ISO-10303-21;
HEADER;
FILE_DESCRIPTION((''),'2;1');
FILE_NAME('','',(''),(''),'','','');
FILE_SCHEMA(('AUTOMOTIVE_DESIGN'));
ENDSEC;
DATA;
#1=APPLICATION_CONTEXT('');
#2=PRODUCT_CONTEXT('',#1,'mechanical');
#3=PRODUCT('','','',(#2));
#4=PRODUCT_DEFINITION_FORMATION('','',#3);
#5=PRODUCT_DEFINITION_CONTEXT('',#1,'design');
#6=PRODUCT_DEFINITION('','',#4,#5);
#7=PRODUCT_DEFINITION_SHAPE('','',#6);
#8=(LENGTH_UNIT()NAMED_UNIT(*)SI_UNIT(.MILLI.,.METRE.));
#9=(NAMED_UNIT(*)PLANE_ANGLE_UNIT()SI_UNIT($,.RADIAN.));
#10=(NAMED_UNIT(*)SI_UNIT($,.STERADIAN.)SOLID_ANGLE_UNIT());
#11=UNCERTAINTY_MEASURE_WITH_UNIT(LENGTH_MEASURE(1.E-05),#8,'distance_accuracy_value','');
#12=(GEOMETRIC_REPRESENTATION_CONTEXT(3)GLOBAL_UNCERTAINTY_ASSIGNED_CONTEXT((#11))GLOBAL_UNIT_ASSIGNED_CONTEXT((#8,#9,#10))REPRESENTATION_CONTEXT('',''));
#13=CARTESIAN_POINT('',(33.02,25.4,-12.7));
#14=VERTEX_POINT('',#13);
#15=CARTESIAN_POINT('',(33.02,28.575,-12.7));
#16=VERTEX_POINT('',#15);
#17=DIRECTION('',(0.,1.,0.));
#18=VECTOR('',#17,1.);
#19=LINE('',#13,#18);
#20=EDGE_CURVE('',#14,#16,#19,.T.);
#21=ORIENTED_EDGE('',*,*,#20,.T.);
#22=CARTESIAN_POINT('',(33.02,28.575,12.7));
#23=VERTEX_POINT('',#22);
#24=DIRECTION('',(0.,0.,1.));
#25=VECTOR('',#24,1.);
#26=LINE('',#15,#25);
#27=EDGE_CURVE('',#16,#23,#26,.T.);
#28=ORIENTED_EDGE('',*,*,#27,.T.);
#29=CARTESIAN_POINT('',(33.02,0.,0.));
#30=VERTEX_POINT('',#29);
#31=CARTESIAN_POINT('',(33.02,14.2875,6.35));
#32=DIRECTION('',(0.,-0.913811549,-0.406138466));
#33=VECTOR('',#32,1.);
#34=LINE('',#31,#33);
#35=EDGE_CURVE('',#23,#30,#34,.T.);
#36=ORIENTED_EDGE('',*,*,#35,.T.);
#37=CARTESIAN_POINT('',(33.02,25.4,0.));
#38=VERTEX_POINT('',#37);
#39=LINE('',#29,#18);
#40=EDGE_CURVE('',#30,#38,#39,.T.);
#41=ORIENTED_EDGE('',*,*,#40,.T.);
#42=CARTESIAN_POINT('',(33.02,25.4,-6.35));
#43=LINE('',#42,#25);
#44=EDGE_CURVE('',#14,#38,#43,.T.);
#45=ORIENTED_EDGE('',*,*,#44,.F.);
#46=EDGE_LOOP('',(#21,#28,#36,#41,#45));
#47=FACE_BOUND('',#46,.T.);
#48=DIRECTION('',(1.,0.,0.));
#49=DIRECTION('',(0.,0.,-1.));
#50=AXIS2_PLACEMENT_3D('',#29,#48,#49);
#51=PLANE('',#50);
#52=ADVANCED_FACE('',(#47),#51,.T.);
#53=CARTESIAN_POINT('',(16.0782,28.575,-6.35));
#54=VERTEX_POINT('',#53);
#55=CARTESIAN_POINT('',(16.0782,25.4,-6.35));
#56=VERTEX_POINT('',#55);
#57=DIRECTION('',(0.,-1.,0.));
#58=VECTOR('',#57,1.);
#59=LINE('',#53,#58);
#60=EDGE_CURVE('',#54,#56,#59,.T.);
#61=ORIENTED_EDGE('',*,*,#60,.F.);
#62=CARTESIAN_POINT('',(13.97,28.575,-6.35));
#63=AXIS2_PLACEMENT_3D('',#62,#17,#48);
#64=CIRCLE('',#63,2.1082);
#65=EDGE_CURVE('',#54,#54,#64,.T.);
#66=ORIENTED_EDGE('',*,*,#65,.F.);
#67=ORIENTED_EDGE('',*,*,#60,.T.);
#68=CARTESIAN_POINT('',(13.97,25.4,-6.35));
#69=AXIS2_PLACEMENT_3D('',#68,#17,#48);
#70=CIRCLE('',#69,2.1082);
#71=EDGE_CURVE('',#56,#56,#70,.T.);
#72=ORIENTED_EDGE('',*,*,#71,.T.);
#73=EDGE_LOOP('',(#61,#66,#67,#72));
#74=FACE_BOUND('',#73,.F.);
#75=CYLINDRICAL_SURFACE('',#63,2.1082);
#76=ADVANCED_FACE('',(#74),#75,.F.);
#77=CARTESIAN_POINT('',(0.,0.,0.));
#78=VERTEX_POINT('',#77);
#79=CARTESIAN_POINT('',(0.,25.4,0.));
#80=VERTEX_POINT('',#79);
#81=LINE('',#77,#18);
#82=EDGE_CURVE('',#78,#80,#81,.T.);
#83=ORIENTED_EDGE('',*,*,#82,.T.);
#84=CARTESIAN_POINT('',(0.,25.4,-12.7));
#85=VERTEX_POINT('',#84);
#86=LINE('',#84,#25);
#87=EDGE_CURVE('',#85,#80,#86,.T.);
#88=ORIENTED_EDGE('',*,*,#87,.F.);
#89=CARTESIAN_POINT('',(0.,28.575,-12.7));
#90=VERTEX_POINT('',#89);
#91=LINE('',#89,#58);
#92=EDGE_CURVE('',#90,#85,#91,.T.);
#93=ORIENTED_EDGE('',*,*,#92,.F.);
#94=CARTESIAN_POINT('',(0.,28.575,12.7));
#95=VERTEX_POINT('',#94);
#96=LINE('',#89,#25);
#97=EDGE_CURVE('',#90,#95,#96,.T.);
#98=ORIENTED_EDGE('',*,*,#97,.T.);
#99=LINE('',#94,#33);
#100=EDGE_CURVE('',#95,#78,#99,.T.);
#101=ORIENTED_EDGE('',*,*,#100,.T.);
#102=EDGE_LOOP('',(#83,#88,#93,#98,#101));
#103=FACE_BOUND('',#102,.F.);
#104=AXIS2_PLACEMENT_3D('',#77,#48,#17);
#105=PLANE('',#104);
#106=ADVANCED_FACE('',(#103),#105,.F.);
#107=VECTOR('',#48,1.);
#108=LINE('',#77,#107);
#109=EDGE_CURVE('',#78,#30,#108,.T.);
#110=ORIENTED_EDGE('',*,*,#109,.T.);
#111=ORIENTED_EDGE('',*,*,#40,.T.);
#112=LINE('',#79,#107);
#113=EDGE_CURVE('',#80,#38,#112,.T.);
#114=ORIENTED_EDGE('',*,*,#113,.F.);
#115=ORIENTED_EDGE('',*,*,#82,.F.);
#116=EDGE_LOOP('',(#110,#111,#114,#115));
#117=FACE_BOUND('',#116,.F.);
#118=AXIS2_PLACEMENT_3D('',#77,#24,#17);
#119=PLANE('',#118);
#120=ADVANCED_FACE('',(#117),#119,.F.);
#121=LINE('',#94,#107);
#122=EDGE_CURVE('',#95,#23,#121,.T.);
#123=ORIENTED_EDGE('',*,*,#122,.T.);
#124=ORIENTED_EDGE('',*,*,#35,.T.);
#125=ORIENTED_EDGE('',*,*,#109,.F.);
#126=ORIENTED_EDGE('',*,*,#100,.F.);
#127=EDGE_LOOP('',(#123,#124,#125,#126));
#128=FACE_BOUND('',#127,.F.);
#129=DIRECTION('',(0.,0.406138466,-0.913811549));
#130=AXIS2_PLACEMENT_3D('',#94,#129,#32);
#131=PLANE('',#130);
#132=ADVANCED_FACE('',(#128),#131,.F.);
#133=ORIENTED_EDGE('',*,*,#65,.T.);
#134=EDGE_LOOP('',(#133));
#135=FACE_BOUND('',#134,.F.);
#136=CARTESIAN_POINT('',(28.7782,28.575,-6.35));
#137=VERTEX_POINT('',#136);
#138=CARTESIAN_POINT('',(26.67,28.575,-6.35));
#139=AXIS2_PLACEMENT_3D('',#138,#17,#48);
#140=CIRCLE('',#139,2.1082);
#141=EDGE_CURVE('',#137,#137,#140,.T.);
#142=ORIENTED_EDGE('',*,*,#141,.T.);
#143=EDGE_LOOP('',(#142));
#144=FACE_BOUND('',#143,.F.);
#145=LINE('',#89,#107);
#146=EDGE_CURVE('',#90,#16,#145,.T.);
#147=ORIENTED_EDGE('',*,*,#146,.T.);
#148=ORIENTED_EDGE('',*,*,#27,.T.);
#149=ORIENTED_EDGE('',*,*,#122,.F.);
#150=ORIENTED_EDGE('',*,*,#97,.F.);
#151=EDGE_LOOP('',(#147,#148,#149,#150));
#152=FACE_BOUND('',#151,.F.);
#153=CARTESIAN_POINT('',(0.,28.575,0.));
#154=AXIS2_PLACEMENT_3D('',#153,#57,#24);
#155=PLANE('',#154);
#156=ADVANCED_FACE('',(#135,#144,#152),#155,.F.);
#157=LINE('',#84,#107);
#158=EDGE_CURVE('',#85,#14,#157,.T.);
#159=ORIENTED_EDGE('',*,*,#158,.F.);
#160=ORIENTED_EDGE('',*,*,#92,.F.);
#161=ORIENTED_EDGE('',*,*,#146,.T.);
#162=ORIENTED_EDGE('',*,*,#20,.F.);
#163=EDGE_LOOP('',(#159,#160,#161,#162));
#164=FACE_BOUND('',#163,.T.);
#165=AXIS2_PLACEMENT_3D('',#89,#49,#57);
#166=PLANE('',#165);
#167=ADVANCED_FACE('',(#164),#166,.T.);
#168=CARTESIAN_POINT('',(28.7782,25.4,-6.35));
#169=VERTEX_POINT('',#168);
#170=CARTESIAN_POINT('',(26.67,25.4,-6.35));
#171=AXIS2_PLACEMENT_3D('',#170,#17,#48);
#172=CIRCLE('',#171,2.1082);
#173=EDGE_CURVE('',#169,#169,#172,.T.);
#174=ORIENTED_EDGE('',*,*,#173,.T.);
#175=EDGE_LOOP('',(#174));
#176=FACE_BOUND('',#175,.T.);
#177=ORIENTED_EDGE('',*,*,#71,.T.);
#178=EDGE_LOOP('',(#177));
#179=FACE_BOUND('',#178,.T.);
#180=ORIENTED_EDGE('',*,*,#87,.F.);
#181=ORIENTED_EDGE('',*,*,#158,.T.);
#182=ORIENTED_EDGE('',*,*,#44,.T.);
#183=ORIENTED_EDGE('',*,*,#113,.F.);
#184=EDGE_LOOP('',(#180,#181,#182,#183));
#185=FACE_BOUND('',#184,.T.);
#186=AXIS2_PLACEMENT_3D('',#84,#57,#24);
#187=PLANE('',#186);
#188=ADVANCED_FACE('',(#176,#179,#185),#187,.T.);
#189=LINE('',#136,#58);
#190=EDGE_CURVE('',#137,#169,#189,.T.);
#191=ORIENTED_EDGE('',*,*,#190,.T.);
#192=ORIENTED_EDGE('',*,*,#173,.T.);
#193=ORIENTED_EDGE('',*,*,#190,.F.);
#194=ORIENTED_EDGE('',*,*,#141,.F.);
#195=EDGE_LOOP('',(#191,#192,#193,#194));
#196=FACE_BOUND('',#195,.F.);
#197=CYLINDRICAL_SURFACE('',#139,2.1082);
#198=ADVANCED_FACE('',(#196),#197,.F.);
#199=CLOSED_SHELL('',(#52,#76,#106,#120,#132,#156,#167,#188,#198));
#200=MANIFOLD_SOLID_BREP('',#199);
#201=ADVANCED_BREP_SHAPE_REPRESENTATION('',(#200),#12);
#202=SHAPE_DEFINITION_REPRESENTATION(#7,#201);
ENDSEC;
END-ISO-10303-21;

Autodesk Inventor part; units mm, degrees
ref_plane "YZ Plane" through (0, 0, 0) normal (1, 0, 0) x (0, 1, 0)
ref_plane "XZ Plane" through (0, 0, 0) normal (0, 1, 0) x (-1, 0, 0)
ref_plane "XY Plane" through (0, 0, 0) normal (0, 0, 1) x (1, 0, 0)
sketch "Sketch1" plane through (0, 0, 0) normal (1, 0, 0) x (0, 1, 0)
  line L0 (0, 0) -> (25.4, 0)
  line L1 (25.4, 0) -> (28.575, 0)
  line L2 (28.575, 0) -> (28.575, -12.7)
  line L3 (28.575, -12.7) -> (25.4, -12.7)
  line L4 (25.4, -12.7) -> (25.4, 0)
  line L5 (28.575, 0) -> (28.575, 12.7)
  line L6 (28.575, 12.7) -> (0, 0)
  dimension "d0" = 25.4
  dimension "d1" = 3.175
  dimension "d2" = 12.7
  dimension "d3" = 12.7
extrude "Extrusion1" add sketch "Sketch1" along normal blind 53.34
sketch "Sketch2" plane through (0, 28.575, 12.7) normal (0, 1, 0) x (1, 0, 0)
  line L0 (53.34, 25.4) -> (53.34, 19.05)
  line L1 (53.34, 25.4) -> (53.34, 0) projected
  line L2 (53.34, 19.05) -> (26.67, 19.05)
  circle A0 centre (26.67, 19.05) radius 2.1082
  point P0 (0, 12.7)
  dimension "d6" = 6.35
  dimension "d7" = 26.67
  dimension "d8" = 4.2164
extrude "Extrusion2" cut sketch "Sketch2" against normal blind 43.815
sketch "Sketch3" plane through (53.34, 0, 0) normal (1, 0, 0) x (0, 0, -1)
  line L0 (12.7, 25.4) -> (12.7, 28.575) projected
  line L1 (12.7, 28.575) -> (-16.4619, 28.575)
  line L2 (-16.4619, 28.575) -> (-16.4619, 0)
  line L3 (-16.4619, 0) -> (12.7, 0)
  line L4 (12.7, 0) -> (12.7, 28.575)
  point P0 (0, 0)
extrude "Extrusion3" cut sketch "Sketch3" against normal blind 20.32
sketch "Sketch4" plane through (0, 28.575, 12.7) normal (0, 1, 0) x (1, 0, 0)
  circle A0 centre (26.67, 19.05) radius 2.1082 projected
  line L0 (26.67, 19.05) -> (13.97, 19.05)
  circle A1 centre (13.97, 19.05) radius 2.1082
  point P0 (0, 12.7)
  dimension "d13" = 12.7
extrude "Extrusion4" cut sketch "Sketch4" against normal blind 20.32 contours A1
properties part number "sleds v2"
